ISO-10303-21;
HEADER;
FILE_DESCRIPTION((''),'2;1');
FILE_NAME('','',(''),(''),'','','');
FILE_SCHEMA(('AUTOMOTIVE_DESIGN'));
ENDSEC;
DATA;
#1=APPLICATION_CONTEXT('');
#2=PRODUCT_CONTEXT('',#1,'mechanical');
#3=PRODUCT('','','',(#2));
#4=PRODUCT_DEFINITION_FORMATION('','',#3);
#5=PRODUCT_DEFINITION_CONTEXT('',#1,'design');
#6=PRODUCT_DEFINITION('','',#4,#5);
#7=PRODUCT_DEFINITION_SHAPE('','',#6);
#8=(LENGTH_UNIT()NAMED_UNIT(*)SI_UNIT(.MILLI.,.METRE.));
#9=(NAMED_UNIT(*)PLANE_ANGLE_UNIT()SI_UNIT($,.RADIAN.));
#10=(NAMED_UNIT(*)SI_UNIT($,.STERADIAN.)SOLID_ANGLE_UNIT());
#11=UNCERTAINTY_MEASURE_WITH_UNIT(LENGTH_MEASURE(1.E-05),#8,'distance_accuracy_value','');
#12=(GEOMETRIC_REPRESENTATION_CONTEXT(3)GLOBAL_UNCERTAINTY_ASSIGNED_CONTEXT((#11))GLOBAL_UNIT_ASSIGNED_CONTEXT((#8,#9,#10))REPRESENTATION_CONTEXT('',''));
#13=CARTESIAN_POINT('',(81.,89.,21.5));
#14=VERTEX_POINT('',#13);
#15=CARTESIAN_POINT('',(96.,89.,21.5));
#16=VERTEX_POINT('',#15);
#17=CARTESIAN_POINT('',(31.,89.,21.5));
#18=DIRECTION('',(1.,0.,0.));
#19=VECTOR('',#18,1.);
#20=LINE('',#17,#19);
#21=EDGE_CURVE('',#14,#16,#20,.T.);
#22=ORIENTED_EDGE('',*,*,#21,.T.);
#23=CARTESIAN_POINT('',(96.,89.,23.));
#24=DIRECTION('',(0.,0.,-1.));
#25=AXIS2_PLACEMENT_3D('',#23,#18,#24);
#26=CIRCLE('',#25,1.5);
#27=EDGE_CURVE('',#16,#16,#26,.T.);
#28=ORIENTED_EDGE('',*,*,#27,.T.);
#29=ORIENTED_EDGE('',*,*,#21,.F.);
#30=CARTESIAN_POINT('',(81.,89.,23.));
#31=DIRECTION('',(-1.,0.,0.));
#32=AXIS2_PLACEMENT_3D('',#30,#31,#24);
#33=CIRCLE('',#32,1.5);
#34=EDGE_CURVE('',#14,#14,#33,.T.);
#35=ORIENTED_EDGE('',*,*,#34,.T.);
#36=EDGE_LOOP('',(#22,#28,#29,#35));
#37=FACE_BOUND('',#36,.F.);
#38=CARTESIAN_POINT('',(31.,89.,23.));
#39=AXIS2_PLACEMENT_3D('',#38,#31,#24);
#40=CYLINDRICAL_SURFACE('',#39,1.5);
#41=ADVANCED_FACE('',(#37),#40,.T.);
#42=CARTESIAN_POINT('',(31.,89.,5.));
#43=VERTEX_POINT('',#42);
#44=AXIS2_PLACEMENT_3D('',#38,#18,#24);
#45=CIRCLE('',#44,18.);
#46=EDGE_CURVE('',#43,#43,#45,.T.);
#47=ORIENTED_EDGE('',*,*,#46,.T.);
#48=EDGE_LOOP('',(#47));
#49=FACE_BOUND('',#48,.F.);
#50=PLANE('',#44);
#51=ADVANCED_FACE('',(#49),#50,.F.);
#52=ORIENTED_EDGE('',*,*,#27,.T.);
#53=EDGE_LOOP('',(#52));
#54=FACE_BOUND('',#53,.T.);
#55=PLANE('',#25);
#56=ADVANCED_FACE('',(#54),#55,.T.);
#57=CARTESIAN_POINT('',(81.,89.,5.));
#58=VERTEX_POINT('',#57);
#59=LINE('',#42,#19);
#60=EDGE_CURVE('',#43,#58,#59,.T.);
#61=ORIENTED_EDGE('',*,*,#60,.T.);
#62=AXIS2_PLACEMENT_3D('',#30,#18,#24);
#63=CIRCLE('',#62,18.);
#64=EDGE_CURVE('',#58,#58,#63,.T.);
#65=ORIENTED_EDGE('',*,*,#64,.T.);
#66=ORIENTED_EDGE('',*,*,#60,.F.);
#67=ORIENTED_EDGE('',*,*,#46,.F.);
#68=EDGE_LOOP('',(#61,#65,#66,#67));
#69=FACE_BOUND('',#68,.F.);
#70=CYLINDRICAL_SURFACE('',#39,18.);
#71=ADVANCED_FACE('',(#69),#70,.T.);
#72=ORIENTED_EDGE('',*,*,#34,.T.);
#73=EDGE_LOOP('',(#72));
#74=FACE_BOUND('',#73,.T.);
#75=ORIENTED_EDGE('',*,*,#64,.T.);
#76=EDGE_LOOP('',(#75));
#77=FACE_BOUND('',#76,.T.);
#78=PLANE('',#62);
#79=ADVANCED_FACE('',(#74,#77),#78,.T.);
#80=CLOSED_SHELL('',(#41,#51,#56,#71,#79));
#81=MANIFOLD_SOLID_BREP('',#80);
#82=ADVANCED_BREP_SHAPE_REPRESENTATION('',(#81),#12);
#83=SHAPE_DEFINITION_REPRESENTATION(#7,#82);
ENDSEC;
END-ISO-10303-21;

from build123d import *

# Parameters (mm, degrees)
CYLINDER852_R     = 1.5
CYLINDER852_DEPTH = 65
CYLINDER798_R     = 18
CYLINDER798_DEPTH = 50


with BuildPart() as cylinder852:
    # Cylinder852 → Cylinder852 (new body)
    with BuildSketch(Plane(origin=(31, 89, 23), x_dir=(0, 0, -1), z_dir=(1, 0, 0))):
        Circle(CYLINDER852_R)
    extrude(amount=CYLINDER852_DEPTH)


with BuildPart() as main_motor:
    # Cylinder798 → Cylinder798 (new body)
    with BuildSketch(Plane(origin=(31, 89, 23), x_dir=(0, 0, -1), z_dir=(1, 0, 0))):
        Circle(CYLINDER798_R)
    extrude(amount=CYLINDER798_DEPTH)

    # Fusion627: union Cylinder852
    add(cylinder852.part)


solid = main_motor.part
